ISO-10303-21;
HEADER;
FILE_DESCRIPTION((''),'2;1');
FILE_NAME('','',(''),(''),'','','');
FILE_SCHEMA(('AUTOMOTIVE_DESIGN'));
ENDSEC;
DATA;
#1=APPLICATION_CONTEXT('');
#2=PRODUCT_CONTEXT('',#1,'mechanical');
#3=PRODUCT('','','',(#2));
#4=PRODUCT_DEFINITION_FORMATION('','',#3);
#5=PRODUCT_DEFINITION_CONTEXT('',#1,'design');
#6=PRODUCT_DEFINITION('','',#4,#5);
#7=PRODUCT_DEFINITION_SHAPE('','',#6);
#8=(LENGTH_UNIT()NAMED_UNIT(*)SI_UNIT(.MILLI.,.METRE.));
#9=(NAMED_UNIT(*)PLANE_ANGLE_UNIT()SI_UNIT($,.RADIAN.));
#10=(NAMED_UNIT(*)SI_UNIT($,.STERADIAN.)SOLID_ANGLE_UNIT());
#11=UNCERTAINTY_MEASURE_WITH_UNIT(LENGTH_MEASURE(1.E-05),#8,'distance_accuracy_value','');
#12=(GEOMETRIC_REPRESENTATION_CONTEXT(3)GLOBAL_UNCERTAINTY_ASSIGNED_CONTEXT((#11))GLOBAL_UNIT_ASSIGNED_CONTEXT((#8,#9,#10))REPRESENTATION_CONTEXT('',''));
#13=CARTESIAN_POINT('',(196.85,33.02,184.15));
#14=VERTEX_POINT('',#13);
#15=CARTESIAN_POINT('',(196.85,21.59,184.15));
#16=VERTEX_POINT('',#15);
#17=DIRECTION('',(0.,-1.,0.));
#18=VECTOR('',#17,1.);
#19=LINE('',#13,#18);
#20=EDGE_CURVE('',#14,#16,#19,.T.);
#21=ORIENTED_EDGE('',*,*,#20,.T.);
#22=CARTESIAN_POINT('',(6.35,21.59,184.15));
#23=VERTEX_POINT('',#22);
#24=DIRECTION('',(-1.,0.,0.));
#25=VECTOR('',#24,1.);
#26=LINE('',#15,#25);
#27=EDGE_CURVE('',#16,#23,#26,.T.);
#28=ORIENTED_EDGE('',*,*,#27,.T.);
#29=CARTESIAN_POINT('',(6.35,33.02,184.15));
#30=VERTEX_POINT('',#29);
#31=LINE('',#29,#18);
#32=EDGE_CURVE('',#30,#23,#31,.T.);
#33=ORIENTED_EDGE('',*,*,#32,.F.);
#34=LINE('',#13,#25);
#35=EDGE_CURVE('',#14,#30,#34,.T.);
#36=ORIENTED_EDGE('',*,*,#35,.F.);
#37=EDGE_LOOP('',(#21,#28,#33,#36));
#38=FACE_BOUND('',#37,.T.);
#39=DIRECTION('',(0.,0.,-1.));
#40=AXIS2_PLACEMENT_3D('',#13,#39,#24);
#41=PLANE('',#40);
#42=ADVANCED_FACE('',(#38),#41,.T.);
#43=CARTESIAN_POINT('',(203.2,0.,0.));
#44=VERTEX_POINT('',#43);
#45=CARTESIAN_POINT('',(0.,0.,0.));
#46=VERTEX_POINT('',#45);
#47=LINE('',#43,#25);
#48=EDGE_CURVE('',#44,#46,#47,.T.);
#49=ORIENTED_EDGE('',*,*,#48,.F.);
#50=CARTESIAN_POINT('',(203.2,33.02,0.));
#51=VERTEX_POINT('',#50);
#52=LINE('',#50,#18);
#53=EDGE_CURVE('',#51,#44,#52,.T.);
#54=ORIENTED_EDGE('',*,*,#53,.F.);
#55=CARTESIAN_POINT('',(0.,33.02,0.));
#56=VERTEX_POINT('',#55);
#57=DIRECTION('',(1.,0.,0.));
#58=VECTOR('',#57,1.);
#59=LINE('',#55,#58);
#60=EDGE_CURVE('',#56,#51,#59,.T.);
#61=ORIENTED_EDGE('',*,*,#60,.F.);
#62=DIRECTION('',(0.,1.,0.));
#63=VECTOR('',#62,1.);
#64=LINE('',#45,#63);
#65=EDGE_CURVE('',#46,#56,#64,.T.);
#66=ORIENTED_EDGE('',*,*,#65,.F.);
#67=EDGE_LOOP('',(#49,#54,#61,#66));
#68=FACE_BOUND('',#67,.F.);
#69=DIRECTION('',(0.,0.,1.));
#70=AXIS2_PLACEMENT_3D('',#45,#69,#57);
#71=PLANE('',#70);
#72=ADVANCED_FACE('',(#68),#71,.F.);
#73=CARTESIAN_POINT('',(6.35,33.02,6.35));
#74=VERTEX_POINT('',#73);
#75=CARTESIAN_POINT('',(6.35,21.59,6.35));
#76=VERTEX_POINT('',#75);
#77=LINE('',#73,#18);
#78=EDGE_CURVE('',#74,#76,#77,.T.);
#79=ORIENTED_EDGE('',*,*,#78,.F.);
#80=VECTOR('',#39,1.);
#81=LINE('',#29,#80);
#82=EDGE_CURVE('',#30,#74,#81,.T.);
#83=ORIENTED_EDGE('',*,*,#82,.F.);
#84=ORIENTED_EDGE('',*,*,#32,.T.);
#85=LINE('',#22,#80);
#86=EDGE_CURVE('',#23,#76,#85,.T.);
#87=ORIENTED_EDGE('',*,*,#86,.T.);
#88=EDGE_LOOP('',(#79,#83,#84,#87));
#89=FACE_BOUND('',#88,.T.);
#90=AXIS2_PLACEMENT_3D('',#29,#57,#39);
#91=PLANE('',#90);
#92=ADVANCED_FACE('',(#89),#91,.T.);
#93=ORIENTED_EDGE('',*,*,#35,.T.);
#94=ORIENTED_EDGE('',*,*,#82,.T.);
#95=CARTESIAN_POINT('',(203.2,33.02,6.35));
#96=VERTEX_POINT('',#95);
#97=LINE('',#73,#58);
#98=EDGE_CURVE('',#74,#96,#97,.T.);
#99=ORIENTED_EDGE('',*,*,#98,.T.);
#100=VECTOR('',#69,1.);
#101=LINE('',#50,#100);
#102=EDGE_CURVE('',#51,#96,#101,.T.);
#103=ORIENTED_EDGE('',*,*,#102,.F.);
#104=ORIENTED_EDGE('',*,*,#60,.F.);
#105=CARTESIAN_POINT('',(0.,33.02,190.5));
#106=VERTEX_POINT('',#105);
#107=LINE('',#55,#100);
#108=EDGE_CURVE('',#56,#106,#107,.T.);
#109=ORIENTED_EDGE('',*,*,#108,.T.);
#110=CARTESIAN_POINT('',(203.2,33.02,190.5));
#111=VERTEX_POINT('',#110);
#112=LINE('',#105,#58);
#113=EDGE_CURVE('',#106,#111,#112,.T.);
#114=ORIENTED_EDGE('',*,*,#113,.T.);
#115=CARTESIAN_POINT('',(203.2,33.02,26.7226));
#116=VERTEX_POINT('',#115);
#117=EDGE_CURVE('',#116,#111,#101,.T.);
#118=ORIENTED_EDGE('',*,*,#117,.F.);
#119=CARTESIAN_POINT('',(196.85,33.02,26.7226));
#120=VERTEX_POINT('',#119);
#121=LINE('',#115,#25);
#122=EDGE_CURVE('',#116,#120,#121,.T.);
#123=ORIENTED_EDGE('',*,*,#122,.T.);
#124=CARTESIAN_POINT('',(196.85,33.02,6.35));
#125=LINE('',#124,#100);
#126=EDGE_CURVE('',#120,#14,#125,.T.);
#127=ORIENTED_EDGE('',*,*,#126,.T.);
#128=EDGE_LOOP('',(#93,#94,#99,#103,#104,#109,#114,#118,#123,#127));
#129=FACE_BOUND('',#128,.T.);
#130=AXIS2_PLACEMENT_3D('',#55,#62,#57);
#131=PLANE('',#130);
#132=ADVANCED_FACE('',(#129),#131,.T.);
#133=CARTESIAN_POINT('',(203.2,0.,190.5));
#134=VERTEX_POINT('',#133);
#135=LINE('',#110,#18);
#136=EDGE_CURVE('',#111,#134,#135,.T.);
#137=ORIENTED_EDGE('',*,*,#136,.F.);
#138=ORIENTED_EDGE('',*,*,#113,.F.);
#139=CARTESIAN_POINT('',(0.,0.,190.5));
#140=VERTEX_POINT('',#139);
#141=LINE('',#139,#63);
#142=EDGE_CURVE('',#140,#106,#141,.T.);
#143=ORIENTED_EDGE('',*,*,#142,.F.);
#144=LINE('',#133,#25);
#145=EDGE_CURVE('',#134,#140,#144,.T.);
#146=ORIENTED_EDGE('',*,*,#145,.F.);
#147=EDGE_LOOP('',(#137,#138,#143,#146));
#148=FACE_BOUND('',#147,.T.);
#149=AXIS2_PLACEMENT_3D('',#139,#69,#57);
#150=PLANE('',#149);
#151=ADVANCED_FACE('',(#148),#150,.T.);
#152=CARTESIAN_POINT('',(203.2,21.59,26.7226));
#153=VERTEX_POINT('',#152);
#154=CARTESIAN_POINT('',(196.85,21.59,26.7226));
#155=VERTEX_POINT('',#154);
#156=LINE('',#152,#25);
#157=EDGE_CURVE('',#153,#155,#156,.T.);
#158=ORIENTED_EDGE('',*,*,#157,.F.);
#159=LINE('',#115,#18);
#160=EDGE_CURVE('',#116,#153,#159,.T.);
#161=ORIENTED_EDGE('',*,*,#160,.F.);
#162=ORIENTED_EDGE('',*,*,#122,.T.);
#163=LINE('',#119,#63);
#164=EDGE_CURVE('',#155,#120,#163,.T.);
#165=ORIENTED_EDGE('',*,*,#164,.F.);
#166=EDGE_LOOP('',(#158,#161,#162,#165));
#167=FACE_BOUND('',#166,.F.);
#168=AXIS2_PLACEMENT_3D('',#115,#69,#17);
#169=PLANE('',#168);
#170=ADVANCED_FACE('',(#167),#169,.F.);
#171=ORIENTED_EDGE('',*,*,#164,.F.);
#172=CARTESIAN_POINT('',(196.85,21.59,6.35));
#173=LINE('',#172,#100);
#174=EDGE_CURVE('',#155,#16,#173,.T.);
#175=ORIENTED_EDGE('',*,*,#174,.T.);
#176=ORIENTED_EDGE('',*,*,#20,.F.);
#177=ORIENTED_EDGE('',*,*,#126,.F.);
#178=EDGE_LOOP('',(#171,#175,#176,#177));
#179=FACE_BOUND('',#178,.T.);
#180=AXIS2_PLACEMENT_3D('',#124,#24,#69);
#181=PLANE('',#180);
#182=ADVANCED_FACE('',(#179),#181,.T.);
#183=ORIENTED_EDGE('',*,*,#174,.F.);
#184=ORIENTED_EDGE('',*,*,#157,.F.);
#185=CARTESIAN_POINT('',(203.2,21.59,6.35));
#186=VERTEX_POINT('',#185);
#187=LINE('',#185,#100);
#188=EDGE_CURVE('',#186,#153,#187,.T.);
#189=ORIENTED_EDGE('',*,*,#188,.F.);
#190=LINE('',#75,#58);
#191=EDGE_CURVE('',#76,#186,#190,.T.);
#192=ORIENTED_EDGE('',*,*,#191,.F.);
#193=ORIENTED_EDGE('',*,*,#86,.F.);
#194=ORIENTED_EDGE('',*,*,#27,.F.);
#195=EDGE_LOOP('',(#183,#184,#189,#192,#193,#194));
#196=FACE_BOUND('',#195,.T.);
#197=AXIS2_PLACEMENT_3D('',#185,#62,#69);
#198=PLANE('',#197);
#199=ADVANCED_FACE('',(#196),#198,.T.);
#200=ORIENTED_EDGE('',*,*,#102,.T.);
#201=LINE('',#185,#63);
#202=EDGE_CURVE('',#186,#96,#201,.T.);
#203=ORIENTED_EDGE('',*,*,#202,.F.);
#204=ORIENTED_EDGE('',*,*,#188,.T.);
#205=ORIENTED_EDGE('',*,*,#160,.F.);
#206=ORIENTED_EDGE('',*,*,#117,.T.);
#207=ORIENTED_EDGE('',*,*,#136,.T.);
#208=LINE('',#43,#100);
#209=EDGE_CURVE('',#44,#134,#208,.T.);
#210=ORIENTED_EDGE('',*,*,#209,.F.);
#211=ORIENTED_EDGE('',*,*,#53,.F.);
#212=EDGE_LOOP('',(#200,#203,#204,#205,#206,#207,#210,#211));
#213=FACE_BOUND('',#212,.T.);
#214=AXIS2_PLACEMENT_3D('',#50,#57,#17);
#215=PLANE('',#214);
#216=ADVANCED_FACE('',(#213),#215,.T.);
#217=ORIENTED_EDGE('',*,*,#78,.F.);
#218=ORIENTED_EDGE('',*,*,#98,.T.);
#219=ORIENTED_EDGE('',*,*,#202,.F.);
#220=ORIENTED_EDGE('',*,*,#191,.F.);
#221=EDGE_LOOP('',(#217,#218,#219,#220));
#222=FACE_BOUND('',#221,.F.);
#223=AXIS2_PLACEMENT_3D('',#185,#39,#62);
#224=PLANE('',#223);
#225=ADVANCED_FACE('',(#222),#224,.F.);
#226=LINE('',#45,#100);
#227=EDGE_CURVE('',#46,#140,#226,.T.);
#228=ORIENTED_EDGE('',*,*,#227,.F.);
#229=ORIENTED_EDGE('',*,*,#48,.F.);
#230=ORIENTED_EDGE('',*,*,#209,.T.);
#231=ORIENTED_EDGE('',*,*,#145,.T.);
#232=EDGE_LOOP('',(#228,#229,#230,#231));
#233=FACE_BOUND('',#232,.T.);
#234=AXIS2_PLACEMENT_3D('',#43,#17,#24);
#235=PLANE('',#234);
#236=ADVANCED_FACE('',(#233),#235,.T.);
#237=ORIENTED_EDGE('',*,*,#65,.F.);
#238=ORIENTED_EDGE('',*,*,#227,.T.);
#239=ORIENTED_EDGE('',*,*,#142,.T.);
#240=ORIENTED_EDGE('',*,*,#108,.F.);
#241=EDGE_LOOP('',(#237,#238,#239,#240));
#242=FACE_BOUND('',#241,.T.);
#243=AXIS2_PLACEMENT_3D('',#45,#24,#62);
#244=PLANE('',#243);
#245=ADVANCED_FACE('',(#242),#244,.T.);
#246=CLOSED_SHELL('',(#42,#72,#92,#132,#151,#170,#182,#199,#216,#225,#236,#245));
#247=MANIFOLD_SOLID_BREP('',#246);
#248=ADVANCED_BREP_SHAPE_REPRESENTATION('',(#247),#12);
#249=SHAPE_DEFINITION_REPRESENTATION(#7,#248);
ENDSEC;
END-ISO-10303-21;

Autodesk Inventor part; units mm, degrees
ref_plane "YZ Plane" through (0, 0, 0) normal (1, 0, 0) x (0, 1, 0)
ref_plane "XZ Plane" through (0, 0, 0) normal (0, 1, 0) x (-1, 0, 0)
ref_plane "XY Plane" through (0, 0, 0) normal (0, 0, 1) x (1, 0, 0)
sketch "Sketch1" plane through (0, 0, 0) normal (0, 0, 1) x (1, 0, 0)
  line L0 (0, 0) -> (0, 33.02)
  line L1 (0, 33.02) -> (203.2, 33.02)
  line L2 (203.2, 33.02) -> (203.2, 0)
  line L3 (203.2, 0) -> (0, 0)
  dimension "d0" = 203.2
  dimension "d1" = 33.02
extrude "Extrusion1" add sketch "Sketch1" along normal blind 190.5
sketch "Sketch2" plane through (0, 33.02, 0) normal (0, 1, 0) x (1, 0, 0)
  line L0 (196.85, -184.15) -> (6.35, -184.15)
  line L1 (6.35, -184.15) -> (6.35, -6.35)
  line L2 (6.35, -6.35) -> (196.85, -6.35)
  line L3 (196.85, -6.35) -> (196.85, -184.15)
  line L4 (203.2, 0) -> (203.2, -190.5) projected
  line L5 (203.2, 0) -> (0, 0) projected
  line L6 (0, 0) -> (0, -190.5) projected
  dimension "d4" = 190.5
  dimension "d5" = 177.8
  dimension "d6" = 6.35
  dimension "d7" = 6.35
extrude "Extrusion2" cut sketch "Sketch2" against normal blind 11.43
sketch "Sketch3" plane through (203.2, 0, 0) normal (1, 0, 0) x (0, 0, -1)
  line L0 (-6.35, 21.59) -> (-184.15, 21.59) projected
  line L1 (0, 33.02) -> (-190.5, 33.02) projected
  line L2 (-26.7226, 33.02) -> (-26.7226, 21.59)
  line L3 (-6.35, 21.59) -> (-6.35, 33.02)
  line L4 (-26.7226, 33.02) -> (-6.35, 33.02)
  point P0 (0, 0)
extrude "Extrusion3" cut sketch "Sketch3" against normal blind 11.43
properties part number "Photosynthetic_Wind_Base"
